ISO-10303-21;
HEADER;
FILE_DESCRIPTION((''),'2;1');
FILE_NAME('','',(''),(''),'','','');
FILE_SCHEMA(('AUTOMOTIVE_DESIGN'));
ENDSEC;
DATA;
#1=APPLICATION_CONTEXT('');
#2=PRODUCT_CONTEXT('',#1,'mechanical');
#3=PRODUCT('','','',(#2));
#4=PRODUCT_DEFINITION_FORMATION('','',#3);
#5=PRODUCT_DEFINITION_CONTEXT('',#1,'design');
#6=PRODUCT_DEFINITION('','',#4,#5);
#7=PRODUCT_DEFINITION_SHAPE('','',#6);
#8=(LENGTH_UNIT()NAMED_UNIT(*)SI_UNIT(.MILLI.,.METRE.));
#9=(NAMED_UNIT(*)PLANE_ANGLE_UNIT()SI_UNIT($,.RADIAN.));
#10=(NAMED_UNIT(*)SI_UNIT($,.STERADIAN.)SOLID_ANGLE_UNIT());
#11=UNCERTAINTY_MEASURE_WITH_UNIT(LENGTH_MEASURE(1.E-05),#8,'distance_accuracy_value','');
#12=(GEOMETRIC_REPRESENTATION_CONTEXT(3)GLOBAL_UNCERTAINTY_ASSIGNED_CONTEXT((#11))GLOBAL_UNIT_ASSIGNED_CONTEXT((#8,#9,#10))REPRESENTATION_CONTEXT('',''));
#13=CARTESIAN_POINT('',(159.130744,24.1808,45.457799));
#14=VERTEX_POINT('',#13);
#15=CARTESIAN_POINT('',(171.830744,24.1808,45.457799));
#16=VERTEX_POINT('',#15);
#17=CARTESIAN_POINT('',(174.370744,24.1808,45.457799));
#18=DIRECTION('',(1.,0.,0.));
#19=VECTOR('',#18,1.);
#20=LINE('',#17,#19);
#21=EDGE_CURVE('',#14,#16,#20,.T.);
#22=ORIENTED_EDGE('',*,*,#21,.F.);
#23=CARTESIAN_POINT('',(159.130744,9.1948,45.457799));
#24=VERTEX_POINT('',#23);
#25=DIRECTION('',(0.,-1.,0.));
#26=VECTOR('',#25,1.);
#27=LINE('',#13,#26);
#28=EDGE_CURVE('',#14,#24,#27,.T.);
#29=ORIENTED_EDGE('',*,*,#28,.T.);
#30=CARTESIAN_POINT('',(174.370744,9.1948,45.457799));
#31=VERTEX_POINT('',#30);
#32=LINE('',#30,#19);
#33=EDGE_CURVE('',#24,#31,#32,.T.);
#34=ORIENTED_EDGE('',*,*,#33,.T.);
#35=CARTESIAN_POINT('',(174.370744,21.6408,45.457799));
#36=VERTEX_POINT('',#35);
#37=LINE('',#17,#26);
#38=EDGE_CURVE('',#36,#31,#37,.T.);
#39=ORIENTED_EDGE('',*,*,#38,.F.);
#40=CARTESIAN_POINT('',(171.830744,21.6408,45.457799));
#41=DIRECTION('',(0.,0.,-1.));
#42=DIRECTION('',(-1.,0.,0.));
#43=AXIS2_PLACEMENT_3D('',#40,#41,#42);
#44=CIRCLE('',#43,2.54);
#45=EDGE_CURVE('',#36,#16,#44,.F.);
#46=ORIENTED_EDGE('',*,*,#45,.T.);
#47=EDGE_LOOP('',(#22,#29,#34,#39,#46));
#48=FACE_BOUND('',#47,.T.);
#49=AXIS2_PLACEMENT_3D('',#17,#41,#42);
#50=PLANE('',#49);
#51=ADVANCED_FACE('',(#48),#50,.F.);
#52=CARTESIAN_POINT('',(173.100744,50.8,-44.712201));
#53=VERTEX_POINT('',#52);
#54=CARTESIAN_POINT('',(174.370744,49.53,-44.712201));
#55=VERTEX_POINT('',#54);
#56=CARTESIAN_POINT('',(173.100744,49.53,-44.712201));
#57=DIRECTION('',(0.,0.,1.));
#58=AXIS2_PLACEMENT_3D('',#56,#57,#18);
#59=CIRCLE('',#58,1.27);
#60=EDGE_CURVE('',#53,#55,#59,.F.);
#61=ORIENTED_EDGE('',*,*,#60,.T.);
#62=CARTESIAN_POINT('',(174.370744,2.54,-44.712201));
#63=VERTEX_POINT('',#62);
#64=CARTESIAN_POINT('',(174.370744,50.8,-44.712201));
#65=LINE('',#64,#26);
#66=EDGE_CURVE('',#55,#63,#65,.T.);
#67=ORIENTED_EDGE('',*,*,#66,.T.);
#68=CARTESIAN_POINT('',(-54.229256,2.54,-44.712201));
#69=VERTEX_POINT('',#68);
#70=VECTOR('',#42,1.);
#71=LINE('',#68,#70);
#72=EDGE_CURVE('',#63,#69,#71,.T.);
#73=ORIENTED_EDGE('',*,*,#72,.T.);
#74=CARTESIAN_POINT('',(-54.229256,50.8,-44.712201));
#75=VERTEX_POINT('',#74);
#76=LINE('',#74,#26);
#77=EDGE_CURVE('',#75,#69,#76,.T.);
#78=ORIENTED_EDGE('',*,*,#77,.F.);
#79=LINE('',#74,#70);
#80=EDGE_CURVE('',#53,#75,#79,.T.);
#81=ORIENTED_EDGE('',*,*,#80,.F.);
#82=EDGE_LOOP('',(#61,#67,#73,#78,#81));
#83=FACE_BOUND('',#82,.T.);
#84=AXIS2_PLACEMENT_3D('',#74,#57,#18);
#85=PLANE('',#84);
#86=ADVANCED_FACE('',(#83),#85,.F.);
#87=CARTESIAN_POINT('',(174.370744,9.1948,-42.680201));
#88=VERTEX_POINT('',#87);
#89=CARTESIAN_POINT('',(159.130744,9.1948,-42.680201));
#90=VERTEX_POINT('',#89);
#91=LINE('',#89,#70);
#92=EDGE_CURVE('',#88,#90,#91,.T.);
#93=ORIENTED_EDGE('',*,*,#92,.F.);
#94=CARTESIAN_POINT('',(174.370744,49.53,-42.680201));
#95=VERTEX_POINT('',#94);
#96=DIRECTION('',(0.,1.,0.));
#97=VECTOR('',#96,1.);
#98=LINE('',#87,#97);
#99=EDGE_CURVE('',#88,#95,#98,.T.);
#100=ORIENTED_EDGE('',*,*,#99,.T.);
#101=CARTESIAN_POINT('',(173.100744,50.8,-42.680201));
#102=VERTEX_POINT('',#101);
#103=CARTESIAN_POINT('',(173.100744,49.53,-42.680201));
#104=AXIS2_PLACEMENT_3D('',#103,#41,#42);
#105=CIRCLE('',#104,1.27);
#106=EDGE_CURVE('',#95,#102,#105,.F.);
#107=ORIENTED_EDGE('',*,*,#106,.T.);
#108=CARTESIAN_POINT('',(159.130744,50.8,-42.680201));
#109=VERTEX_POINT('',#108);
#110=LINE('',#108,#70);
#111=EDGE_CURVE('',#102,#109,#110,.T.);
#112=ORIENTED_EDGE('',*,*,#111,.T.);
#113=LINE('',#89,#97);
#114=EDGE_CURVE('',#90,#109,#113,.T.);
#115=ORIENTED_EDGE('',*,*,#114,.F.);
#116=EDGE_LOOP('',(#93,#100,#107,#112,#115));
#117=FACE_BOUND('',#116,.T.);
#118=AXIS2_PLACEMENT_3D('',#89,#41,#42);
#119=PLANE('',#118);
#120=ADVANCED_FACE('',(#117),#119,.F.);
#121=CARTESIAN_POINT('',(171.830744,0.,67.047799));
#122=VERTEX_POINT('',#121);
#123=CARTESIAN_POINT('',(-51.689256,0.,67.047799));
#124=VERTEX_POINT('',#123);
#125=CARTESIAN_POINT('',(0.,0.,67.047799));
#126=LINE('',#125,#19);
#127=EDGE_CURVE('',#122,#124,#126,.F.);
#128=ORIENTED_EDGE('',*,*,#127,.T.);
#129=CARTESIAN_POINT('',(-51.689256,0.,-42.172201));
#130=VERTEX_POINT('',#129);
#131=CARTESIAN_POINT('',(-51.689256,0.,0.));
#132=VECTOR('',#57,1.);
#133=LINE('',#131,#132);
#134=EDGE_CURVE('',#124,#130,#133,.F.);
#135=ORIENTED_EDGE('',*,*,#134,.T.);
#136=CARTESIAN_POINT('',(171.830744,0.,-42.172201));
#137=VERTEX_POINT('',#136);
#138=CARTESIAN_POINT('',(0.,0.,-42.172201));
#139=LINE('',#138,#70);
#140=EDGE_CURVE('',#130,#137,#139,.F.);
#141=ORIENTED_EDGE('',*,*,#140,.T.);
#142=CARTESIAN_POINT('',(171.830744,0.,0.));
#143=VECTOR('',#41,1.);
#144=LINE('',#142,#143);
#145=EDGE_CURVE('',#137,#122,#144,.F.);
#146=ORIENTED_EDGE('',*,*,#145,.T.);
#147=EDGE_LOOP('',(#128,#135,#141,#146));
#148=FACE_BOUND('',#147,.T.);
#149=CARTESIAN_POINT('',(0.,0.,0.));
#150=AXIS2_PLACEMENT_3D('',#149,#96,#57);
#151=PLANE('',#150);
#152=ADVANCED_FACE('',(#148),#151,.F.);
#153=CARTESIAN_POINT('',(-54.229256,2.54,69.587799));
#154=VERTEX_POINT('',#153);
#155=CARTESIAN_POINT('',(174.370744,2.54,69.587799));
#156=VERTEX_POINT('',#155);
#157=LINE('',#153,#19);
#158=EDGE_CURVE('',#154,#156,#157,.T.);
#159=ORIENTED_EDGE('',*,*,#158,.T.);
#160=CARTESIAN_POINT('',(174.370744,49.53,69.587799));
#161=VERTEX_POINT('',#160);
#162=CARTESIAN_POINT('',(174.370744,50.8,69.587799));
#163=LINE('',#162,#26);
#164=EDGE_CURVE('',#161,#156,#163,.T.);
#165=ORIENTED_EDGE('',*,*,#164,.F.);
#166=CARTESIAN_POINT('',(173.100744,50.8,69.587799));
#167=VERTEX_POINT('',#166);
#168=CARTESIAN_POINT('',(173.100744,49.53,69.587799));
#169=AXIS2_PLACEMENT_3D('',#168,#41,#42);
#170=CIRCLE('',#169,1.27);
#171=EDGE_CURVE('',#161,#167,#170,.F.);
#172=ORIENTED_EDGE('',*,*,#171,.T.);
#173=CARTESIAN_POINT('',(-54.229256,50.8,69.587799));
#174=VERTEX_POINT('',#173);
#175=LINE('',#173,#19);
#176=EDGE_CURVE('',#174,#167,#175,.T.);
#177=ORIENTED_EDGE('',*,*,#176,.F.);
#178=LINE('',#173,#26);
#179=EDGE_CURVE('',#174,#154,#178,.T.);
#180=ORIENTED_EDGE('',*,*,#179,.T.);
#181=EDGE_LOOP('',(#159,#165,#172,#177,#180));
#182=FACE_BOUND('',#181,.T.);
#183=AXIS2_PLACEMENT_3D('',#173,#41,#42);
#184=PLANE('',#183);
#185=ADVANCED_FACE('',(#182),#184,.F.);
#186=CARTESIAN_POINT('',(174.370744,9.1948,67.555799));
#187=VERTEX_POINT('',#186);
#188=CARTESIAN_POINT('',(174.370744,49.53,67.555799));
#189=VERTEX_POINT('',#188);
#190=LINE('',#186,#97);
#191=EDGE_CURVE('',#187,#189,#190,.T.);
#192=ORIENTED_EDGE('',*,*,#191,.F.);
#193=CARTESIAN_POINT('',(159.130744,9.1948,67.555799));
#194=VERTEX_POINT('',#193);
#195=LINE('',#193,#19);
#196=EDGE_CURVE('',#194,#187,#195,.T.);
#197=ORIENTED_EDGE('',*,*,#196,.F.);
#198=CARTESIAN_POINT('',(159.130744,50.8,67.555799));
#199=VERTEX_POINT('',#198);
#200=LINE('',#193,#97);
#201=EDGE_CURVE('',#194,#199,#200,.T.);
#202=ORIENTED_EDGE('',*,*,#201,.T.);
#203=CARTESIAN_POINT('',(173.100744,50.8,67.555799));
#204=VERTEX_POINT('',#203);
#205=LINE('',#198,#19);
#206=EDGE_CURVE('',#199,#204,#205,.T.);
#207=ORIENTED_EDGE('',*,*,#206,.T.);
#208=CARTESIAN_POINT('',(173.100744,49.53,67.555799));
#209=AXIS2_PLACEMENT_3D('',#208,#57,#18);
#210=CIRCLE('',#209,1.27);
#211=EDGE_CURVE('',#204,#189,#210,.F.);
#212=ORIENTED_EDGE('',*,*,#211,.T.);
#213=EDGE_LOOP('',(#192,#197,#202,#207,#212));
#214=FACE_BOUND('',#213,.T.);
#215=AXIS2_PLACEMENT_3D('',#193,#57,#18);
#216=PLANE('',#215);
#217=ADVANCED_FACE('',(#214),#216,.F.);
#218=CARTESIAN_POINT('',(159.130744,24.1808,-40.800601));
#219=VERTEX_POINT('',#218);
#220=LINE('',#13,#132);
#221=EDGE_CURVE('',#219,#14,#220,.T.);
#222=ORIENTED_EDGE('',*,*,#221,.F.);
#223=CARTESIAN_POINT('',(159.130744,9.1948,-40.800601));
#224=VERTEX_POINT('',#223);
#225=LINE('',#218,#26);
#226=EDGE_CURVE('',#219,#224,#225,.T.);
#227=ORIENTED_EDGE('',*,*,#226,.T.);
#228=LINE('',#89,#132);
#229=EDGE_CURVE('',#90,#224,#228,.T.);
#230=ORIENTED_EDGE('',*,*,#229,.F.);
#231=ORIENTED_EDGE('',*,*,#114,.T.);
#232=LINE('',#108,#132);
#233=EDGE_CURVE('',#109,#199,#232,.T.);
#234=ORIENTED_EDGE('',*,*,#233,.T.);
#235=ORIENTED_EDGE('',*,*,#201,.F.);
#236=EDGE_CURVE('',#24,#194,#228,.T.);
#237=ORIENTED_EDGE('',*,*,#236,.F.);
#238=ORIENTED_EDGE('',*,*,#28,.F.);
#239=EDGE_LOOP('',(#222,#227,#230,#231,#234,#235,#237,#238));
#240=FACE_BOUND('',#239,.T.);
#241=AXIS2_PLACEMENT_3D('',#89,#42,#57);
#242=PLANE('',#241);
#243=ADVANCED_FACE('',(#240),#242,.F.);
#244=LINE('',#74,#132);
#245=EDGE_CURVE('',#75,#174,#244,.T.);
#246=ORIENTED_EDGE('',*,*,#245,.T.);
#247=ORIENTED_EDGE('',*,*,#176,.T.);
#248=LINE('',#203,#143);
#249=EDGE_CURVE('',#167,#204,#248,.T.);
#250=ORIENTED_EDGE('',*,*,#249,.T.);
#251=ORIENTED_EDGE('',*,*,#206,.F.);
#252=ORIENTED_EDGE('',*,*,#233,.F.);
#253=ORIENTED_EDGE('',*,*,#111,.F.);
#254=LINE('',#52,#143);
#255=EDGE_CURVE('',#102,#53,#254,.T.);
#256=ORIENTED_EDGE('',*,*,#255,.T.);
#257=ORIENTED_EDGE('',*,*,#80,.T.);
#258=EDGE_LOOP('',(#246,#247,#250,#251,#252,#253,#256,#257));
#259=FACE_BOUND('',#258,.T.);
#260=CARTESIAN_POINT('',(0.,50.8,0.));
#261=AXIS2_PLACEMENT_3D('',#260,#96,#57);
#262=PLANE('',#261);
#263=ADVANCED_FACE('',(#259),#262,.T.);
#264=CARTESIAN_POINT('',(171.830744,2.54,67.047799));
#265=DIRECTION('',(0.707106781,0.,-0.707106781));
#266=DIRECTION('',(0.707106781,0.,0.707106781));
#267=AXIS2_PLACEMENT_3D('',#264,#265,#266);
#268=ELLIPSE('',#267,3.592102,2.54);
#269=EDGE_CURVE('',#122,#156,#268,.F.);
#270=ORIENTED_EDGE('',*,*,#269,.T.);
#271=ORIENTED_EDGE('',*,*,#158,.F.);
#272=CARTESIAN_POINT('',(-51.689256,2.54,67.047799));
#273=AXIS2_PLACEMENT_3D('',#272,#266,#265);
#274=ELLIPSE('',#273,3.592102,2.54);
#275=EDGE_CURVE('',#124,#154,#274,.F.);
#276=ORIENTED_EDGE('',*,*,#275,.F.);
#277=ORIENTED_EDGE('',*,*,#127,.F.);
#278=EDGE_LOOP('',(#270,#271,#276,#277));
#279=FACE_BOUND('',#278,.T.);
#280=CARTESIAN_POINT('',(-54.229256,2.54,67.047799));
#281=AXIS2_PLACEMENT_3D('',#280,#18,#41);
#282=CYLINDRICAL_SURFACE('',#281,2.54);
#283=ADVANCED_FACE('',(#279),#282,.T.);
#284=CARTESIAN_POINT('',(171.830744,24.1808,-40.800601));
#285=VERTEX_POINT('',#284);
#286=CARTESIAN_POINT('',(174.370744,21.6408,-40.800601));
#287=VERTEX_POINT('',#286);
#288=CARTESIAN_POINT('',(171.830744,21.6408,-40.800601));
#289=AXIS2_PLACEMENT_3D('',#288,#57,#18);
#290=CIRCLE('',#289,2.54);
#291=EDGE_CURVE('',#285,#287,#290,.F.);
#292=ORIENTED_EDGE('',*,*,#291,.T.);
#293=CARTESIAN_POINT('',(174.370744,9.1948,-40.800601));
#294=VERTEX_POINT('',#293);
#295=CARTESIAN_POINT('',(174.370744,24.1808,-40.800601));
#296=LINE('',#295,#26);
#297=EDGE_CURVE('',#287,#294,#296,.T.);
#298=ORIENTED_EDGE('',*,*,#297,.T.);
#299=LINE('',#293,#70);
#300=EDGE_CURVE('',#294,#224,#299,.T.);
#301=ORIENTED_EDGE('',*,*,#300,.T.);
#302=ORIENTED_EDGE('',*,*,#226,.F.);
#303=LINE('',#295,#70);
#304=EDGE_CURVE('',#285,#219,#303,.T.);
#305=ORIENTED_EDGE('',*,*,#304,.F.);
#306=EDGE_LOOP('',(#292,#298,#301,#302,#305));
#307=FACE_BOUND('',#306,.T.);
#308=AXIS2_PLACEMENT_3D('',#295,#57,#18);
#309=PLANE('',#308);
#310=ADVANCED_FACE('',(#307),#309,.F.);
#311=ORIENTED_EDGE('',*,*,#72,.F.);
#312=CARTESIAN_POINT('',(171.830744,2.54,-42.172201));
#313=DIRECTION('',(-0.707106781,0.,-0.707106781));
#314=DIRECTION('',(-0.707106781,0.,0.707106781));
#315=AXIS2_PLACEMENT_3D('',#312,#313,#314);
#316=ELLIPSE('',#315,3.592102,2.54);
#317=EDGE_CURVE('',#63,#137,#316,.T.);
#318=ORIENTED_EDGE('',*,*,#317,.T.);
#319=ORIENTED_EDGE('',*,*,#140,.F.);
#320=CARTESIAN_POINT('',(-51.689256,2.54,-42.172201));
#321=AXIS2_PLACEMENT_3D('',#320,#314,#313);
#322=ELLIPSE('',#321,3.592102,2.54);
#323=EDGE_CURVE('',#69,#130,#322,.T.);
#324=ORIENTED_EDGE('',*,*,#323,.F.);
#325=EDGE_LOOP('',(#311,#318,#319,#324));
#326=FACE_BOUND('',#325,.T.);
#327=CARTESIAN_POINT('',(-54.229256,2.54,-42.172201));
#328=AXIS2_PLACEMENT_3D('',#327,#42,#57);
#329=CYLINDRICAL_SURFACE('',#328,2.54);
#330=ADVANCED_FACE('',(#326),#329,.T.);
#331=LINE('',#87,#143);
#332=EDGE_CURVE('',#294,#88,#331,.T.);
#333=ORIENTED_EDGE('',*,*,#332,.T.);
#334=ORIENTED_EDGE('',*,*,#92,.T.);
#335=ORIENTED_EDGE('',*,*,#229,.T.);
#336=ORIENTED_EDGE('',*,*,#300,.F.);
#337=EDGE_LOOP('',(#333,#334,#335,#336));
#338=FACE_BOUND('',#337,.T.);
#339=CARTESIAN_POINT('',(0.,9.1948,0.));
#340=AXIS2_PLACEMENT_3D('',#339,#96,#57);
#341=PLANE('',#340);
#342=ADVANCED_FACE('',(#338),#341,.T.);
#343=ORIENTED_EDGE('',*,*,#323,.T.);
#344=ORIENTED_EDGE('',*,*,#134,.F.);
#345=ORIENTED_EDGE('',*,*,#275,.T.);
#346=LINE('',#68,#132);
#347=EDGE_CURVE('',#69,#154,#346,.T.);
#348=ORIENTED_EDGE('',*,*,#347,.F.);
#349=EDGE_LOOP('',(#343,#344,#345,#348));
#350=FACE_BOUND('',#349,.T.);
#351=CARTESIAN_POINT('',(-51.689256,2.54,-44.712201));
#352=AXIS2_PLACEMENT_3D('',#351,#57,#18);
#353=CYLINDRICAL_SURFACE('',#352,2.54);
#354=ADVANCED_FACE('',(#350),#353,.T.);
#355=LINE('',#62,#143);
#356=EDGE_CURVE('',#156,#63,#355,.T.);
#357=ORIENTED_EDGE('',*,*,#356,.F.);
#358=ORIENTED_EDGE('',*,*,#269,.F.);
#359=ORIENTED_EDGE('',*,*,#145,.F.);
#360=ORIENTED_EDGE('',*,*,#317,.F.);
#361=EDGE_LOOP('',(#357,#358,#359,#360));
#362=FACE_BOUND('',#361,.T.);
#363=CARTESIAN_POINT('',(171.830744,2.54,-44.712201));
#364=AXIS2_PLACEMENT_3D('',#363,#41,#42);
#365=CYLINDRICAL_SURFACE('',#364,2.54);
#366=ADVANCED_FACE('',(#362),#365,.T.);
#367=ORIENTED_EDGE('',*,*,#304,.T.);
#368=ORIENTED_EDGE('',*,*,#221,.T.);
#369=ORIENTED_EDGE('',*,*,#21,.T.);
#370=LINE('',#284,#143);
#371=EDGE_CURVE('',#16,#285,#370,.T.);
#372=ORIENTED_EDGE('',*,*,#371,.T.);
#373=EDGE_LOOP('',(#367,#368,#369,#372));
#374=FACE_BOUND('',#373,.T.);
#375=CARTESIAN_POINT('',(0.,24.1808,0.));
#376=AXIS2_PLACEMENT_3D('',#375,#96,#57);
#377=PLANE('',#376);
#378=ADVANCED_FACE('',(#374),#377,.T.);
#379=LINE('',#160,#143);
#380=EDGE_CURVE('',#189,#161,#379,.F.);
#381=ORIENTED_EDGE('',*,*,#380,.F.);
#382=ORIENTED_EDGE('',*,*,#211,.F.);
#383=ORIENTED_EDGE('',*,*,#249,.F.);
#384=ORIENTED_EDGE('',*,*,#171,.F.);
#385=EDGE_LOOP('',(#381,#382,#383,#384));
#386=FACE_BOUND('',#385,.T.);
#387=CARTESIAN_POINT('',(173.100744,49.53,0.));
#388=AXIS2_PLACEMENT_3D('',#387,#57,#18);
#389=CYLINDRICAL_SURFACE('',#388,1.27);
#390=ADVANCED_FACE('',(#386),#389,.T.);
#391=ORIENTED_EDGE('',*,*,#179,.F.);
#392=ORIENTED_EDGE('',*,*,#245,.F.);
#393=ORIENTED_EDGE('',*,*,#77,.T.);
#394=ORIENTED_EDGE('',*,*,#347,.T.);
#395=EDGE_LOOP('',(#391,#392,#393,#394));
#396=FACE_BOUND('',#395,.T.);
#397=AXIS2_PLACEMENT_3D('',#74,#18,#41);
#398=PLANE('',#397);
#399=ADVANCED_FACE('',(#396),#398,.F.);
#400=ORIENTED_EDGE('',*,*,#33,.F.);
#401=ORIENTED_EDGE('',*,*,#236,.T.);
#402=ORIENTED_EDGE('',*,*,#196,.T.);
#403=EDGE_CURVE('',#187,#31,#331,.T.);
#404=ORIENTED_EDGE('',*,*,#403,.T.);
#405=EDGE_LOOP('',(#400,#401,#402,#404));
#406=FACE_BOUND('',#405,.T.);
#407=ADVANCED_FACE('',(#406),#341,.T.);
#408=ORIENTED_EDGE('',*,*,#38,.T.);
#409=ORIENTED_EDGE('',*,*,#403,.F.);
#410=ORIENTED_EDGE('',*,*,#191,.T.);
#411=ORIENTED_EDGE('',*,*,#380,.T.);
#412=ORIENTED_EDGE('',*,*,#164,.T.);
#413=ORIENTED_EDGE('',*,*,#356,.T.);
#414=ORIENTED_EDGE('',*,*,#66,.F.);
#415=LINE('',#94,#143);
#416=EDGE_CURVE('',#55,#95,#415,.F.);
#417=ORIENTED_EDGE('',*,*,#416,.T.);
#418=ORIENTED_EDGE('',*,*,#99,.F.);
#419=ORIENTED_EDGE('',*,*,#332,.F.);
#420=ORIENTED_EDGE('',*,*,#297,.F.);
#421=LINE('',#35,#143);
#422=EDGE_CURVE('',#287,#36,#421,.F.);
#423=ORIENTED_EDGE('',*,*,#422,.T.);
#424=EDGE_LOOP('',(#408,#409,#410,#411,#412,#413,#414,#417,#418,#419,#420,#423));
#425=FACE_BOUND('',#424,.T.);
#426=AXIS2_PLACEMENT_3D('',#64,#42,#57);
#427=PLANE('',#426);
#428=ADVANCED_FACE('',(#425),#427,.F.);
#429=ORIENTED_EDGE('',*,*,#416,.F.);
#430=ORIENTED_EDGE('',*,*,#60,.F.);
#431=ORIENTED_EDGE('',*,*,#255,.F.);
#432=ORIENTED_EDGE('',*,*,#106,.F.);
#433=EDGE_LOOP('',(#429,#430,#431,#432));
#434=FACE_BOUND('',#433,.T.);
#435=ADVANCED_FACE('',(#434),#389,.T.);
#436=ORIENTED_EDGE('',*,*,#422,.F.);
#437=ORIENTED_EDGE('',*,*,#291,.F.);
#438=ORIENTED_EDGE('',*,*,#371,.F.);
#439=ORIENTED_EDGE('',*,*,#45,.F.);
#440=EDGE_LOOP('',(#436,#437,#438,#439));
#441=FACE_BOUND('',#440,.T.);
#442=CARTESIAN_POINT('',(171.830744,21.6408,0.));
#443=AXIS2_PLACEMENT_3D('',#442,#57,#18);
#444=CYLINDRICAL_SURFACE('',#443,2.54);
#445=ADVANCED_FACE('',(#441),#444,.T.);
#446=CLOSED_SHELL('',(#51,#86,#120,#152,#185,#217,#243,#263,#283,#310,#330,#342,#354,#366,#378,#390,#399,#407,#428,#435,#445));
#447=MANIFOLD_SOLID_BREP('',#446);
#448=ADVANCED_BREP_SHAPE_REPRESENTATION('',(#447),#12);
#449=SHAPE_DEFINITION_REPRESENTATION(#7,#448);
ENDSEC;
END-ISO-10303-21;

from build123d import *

# Parameters (mm, degrees)
SKETCH1_W           = 228.6
SKETCH1_H           = 114.3
BOSS_EXTRUDE1_DEPTH = 50.8
SKETCH2_W           = 15.24
SKETCH2_H           = 110.236
CUT_EXTRUDE1_DEPTH  = 41.6052
SKETCH3_W           = 15.24
SKETCH3_H           = 86.2584
BOSS_EXTRUDE2_DEPTH = 14.986
FILLET1_R           = 2.54
FILLET2_R           = 1.27
FILLET3_R           = 2.54


with BuildPart() as part:
    # Sketch1 → Boss-Extrude1 (new body)
    with BuildSketch(Plane(origin=(0, 0, 0), x_dir=(1, 0, 0), z_dir=(0, 1, 0))):
        with Locations((60.070744159, -12.437798992)):
            Rectangle(SKETCH1_W, SKETCH1_H)
    extrude(amount=BOSS_EXTRUDE1_DEPTH)

    # Sketch2 → Cut-Extrude1 (cut)
    with BuildSketch(Plane(origin=(0, 50.8, 0), x_dir=(1, 0, 0), z_dir=(0, 1, 0))):
        with Locations((166.750744159, -12.437798992)):
            Rectangle(SKETCH2_W, SKETCH2_H)
    extrude(amount=-CUT_EXTRUDE1_DEPTH, mode=Mode.SUBTRACT)

    # Sketch3 → Boss-Extrude2 (add)
    with BuildSketch(Plane(origin=(0, 9.1948, 0), x_dir=(1, 0, 0), z_dir=(0, 1, 0))):
        with Locations((166.750744159, -2.328598992)):
            Rectangle(SKETCH3_W, SKETCH3_H)
    extrude(amount=BOSS_EXTRUDE2_DEPTH)

    # Fillet1
    fillet1_edges = [part.edges().sort_by_distance(p)[0] for p in [
        (174.370744159, 24.1808, 2.328598992),
    ]]
    fillet(fillet1_edges, radius=FILLET1_R)

    # Fillet2
    fillet2_edges = [part.edges().sort_by_distance(p)[0] for p in [
        (174.370744159, 50.8, 68.571798992),
        (174.370744159, 50.8, -43.696201008),
    ]]
    fillet(fillet2_edges, radius=FILLET2_R)

    # Fillet3
    fillet3_edges = [part.edges().sort_by_distance(p)[0] for p in [
        (60.070744159, 0, -44.712201008),
        (174.370744159, 0, 12.437798992),
        (60.070744159, 0, 69.587798992),
        (-54.229255841, 0, 12.437798992),
    ]]
    fillet(fillet3_edges, radius=FILLET3_R)


solid = part.part
